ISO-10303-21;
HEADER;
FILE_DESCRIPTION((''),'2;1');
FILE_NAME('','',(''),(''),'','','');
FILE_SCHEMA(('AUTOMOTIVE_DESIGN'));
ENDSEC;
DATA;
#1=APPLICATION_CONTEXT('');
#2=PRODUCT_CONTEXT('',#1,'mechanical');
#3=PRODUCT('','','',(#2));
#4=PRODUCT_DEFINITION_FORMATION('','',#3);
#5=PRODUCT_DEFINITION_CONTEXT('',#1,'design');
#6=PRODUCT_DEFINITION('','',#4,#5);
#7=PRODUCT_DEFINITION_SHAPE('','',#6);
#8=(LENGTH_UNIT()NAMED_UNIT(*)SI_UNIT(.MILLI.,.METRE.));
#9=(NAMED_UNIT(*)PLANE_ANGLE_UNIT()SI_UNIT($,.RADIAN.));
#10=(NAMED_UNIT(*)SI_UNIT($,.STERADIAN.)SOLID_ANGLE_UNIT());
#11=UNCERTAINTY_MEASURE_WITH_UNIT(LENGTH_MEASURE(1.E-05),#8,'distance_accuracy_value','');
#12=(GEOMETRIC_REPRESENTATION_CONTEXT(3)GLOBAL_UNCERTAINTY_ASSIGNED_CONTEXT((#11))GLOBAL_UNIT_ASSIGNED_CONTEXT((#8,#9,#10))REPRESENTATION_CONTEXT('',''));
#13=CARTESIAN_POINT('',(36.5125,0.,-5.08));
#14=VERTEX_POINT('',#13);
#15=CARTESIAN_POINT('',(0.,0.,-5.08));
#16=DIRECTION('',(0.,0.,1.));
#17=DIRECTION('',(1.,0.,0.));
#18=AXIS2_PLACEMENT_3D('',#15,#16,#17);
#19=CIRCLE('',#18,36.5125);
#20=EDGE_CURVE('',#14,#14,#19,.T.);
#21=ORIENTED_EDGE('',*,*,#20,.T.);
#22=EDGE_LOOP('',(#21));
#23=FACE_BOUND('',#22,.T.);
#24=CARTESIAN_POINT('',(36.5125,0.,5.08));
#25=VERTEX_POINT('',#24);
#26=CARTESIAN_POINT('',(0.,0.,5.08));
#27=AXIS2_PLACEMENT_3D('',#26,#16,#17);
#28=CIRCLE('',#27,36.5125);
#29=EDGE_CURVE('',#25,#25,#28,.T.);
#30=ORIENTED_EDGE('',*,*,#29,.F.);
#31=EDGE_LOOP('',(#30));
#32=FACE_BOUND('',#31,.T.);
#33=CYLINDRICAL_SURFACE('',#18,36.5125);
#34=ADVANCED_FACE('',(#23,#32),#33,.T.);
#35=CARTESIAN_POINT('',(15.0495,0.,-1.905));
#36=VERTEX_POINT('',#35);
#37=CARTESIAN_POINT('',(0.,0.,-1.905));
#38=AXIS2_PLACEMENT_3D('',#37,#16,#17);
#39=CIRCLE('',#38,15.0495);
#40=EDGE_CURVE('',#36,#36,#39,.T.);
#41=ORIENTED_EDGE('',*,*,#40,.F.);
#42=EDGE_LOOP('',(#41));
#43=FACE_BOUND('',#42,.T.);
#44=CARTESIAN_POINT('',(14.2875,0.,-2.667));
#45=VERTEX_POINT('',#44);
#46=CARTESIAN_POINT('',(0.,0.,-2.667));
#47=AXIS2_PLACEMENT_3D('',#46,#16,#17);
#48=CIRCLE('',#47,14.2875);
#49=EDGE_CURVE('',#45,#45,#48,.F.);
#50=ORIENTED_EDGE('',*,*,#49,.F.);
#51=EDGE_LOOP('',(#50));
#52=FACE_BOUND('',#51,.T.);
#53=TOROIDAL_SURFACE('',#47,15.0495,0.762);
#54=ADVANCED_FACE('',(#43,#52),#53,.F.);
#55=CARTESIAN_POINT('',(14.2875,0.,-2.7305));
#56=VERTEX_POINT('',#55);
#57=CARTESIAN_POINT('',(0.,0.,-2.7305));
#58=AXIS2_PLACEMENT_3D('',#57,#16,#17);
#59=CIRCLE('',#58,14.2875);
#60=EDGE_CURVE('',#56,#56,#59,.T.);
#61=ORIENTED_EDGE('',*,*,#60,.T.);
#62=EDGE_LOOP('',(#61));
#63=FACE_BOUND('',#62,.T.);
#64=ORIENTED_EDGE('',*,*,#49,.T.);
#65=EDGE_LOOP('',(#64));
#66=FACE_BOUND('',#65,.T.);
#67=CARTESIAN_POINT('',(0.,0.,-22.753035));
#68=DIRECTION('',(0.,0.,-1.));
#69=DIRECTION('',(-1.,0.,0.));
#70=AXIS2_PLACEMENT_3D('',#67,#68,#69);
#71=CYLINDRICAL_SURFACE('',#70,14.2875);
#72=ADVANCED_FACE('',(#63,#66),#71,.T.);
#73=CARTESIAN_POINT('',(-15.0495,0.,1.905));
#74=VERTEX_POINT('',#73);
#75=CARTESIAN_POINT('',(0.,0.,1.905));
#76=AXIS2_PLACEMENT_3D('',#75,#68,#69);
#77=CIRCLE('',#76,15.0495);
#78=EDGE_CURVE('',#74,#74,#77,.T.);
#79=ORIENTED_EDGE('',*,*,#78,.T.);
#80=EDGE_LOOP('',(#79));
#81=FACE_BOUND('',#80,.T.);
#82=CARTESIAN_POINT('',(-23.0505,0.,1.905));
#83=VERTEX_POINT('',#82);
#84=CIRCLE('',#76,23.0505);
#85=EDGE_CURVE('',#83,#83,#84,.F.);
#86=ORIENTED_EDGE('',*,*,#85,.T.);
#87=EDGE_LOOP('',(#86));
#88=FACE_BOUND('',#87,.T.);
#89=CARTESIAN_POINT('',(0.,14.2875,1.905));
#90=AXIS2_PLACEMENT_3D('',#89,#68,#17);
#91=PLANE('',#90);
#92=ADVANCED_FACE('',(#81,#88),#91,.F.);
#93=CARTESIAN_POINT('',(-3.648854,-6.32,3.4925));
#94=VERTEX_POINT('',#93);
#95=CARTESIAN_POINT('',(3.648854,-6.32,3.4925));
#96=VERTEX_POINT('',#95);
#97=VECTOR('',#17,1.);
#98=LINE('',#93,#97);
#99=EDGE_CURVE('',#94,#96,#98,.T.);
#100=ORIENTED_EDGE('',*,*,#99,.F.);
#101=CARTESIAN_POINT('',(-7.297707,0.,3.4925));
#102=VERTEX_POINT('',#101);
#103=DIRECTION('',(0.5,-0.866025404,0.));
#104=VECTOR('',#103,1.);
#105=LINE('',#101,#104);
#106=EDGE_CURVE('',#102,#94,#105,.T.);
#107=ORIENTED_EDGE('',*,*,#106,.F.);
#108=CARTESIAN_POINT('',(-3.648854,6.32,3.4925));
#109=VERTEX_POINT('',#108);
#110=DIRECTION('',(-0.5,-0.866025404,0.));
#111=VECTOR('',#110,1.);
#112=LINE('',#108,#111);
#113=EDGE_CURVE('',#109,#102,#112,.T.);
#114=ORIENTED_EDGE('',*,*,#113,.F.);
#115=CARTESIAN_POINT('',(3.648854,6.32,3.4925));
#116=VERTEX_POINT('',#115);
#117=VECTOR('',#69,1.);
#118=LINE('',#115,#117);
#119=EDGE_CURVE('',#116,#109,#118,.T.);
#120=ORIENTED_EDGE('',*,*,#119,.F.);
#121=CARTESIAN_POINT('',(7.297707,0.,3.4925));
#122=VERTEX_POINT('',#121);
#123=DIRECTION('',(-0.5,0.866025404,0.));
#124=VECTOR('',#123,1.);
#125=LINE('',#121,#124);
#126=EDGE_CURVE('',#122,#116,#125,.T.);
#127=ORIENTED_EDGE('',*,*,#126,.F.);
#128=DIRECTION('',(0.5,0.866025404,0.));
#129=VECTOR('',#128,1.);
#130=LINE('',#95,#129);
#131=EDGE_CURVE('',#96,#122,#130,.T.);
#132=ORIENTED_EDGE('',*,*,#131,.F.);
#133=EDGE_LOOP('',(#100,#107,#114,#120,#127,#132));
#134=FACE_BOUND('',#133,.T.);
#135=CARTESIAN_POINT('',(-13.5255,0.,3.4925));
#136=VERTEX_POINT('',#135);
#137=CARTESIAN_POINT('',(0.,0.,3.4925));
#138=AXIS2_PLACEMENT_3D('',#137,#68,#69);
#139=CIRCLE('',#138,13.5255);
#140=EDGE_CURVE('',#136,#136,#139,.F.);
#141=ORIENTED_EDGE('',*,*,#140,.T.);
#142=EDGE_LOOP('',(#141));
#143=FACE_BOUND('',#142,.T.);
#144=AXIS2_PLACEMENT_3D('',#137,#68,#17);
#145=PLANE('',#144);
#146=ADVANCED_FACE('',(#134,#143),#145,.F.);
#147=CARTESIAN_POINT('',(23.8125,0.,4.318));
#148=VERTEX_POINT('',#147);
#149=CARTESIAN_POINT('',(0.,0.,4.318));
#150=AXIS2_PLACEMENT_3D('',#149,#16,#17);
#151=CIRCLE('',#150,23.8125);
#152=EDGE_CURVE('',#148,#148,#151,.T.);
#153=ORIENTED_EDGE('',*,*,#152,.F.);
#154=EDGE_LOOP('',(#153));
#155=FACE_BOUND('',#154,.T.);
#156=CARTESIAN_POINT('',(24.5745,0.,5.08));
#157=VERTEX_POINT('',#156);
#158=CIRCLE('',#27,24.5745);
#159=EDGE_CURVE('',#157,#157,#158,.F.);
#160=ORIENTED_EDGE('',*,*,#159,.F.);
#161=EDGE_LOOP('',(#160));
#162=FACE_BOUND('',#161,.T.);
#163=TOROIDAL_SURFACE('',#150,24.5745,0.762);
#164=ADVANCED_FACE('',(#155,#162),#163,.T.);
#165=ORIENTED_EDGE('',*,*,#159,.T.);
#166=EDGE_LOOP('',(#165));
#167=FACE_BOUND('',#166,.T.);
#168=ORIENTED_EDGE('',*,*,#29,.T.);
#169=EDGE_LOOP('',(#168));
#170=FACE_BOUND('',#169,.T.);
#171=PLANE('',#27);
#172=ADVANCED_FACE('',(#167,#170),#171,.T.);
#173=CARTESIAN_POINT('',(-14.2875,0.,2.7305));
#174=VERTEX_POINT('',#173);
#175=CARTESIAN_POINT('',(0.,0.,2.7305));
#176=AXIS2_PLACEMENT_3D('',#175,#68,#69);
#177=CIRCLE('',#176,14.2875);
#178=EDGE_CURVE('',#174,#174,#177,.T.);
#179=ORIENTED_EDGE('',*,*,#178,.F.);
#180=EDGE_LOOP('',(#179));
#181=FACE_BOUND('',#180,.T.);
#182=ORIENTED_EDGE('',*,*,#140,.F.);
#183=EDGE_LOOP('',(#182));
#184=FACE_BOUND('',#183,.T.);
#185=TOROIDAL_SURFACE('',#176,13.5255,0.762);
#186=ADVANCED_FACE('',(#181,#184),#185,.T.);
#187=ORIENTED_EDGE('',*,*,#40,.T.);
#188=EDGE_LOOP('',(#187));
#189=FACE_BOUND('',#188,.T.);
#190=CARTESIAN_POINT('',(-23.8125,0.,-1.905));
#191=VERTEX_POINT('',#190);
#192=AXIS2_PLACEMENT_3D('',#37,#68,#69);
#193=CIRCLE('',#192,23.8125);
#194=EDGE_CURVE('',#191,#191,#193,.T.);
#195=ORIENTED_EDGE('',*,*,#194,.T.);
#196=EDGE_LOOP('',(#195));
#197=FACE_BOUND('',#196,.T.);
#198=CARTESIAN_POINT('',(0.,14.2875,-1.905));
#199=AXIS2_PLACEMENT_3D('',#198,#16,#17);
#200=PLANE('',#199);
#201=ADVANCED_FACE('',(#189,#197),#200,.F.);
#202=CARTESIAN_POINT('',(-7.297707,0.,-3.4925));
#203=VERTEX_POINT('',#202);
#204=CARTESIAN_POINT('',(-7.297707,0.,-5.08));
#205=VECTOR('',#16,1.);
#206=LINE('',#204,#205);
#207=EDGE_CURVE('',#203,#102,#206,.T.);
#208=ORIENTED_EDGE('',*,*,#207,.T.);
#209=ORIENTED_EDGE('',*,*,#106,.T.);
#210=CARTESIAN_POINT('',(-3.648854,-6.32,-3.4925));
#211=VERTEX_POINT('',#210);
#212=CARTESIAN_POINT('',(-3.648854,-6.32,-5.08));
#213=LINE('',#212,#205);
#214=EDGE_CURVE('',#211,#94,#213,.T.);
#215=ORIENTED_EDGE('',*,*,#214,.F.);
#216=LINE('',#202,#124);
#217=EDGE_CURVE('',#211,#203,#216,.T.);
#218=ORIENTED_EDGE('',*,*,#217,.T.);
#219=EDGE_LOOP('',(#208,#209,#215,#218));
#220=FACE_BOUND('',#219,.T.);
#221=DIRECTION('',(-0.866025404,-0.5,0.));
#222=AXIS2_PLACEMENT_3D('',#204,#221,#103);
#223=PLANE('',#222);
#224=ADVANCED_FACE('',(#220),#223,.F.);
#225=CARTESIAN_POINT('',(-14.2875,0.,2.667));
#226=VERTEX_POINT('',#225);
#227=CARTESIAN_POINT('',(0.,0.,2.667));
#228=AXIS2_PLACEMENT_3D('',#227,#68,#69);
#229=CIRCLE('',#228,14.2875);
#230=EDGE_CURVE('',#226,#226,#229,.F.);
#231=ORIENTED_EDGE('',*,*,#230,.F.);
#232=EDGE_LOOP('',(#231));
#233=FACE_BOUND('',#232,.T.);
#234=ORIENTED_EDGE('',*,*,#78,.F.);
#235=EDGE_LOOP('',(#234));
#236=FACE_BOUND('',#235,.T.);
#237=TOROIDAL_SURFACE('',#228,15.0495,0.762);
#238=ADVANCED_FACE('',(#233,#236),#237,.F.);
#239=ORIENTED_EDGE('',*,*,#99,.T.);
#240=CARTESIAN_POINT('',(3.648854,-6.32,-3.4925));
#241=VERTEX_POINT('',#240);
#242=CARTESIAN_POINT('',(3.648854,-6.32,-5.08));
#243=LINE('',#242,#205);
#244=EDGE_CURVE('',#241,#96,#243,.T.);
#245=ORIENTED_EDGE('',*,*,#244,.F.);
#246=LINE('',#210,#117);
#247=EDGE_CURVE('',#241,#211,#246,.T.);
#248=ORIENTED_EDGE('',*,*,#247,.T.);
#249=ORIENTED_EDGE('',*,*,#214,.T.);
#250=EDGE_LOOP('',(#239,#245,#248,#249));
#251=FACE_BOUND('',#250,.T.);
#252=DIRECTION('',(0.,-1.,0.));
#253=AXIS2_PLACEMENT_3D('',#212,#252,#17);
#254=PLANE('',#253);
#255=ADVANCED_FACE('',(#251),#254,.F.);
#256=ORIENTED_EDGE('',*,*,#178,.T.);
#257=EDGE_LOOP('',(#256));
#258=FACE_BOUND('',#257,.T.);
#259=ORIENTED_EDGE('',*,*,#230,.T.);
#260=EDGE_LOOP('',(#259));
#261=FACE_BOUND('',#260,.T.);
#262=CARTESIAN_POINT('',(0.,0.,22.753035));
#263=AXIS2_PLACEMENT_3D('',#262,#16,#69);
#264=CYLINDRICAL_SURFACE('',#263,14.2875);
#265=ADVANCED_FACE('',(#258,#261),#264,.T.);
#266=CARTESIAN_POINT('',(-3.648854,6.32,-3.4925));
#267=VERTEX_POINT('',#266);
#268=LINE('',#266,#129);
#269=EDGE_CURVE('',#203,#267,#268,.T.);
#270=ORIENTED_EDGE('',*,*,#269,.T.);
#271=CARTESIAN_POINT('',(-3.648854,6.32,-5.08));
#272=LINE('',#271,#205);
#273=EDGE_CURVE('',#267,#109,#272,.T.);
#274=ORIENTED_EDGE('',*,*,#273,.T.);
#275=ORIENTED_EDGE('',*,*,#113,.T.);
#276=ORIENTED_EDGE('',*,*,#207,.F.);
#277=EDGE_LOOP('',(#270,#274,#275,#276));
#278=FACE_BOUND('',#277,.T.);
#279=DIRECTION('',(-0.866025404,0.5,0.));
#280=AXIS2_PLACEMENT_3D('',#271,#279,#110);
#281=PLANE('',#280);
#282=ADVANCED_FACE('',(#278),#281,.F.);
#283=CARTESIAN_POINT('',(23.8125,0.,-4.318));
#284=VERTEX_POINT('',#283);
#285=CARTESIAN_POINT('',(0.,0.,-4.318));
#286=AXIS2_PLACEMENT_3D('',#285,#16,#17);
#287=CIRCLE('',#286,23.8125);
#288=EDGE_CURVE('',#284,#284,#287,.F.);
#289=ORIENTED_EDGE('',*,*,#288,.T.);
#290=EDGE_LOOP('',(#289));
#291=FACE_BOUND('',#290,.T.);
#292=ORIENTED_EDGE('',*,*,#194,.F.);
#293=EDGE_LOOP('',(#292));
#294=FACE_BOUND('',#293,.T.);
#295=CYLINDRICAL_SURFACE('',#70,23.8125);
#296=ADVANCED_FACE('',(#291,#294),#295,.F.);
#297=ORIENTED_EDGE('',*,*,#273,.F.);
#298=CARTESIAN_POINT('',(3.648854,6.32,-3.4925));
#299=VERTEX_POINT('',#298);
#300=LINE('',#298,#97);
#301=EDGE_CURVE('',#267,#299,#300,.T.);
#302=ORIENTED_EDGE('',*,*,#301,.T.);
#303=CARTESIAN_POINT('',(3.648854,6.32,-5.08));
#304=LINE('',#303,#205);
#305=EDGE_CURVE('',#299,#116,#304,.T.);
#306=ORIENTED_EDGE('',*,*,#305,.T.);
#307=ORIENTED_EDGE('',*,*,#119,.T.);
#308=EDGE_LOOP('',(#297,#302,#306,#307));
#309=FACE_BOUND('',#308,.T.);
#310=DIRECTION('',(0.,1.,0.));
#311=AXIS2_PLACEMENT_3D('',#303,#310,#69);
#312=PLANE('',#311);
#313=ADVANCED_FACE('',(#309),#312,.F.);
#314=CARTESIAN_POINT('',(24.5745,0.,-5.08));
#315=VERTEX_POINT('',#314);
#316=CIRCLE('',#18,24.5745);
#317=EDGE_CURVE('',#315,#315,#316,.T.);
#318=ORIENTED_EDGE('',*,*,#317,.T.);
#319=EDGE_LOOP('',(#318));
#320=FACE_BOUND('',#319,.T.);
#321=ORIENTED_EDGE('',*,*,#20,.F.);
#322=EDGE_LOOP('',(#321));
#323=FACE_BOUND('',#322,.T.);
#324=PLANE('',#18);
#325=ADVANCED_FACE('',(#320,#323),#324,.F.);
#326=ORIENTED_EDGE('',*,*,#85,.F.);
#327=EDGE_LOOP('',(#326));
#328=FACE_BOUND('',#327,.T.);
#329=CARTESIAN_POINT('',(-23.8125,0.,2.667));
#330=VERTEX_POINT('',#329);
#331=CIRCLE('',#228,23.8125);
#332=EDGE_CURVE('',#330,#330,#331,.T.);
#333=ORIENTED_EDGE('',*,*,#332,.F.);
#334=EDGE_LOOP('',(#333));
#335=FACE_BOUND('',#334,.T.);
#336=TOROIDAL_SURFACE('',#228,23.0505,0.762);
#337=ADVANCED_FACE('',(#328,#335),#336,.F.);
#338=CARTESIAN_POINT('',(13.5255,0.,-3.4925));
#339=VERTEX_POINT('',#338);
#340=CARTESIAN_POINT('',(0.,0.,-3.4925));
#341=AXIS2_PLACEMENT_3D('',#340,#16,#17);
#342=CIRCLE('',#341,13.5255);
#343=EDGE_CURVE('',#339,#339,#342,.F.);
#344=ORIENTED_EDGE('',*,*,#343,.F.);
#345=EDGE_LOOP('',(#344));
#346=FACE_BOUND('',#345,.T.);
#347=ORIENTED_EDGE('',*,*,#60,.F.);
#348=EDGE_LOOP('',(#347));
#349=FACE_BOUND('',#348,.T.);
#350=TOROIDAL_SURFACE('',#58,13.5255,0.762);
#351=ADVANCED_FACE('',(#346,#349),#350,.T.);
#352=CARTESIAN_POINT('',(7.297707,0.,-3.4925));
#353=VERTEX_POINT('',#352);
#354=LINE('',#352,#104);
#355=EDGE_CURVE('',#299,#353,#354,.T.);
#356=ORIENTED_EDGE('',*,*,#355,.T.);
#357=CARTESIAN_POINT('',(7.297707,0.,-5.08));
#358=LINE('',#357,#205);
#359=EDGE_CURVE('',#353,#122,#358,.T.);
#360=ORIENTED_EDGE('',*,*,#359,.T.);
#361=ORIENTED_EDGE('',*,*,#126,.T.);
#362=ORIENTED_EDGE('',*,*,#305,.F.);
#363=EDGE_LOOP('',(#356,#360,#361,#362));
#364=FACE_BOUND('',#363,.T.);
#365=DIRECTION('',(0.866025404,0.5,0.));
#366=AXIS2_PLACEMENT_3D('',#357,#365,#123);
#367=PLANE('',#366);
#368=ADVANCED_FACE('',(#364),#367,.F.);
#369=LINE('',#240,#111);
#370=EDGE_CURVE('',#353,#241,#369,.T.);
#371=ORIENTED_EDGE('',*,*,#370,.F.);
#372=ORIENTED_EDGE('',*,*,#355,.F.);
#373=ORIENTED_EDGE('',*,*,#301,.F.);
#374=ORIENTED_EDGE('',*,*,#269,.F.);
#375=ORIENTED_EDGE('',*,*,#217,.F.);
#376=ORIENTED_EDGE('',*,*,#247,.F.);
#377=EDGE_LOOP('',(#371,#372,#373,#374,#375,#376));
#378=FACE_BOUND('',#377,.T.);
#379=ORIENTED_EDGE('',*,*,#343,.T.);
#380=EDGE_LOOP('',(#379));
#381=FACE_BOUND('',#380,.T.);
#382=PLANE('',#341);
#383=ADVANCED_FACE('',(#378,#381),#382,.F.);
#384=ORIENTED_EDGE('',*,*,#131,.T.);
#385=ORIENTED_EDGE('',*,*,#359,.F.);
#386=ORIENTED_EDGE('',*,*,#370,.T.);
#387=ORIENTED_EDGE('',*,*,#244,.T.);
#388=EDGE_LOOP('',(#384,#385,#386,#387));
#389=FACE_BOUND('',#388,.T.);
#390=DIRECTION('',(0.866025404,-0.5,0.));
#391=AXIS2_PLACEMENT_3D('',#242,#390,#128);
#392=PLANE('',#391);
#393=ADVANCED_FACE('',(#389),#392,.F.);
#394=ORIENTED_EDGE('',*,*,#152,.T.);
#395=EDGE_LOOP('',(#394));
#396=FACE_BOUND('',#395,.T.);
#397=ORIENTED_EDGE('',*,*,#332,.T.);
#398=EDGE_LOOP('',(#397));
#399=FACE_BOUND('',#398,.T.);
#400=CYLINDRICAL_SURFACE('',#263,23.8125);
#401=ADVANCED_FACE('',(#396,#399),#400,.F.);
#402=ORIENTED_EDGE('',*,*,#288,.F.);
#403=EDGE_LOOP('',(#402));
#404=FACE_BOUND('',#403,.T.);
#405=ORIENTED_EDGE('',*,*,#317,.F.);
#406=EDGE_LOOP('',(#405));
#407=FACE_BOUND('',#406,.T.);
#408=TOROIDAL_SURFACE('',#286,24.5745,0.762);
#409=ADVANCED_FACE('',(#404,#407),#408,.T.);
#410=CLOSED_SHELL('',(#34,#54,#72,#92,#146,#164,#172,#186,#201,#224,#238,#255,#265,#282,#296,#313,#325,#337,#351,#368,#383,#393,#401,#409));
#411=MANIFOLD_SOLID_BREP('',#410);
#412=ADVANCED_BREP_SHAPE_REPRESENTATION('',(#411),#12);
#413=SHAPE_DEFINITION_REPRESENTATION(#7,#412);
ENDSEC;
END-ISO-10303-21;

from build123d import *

# Parameters (mm, degrees)
BOSS_EXTRUDE1_DEPTH      = 5.08
BOSS_EXTRUDE1_DEPTH_BACK = 5.08
SKETCH1_R                = 36.5125
CUT_EXTRUDE1_DEPTH       = 53.6265229
FILLET1_R                = 0.762
FILLET2_R                = 0.762


with BuildPart() as part:
    # Sketch1 → Boss-Extrude1 (new, two sides: drawn at the far end of the back side and taken through both)
    with BuildSketch(Plane.XY.offset(-BOSS_EXTRUDE1_DEPTH_BACK)):
        Circle(SKETCH1_R)
    extrude(amount=BOSS_EXTRUDE1_DEPTH + BOSS_EXTRUDE1_DEPTH_BACK)

    # Sketch2 → Cut-Extrude1 (cut, through all)
    with BuildSketch(Plane.XY.offset(5.08)):
        Polygon((3.648853701, 6.32), (-3.648853701, 6.32), (-7.297707403, 0), (-3.648853701, -6.32), (3.648853701, -6.32), (7.297707403, 0), align=None)
    extrude(amount=-CUT_EXTRUDE1_DEPTH, mode=Mode.SUBTRACT)

    # Sketch3 → Cut-Revolve1 (revolve, cut)
    with BuildSketch(Plane(origin=(0, 0, 0), x_dir=(0, 0, -1), z_dir=(1, 0, 0))):
        Polygon((3.4925, 14.2875), (1.905, 14.2875), (1.905, 23.8125), (5.08, 23.8125), (5.08, 0), (3.4925, 0), align=None)
    cut_revolve1 = revolve(axis=Axis((0, 0, -22.753035396), (0, 0, 1)), mode=Mode.SUBTRACT)

    # Fillet1
    fillet1_edges = [part.edges().sort_by_distance(p)[0] for p in [
        (0, -14.2875, -1.905),
        (0, -23.8125, -5.08),
        (0, -14.2875, -3.4925),
    ]]
    fillet(fillet1_edges, radius=FILLET1_R)

    # Mirror1: Cut-Revolve1 across plane
    add(cut_revolve1.mirror(Plane.XY), mode=Mode.SUBTRACT)

    # Fillet2
    fillet2_edges = [part.edges().sort_by_distance(p)[0] for p in [
        (0, -23.8125, 5.08),
        (0, -23.8125, 1.905),
        (0, -14.2875, 1.905),
        (0, -14.2875, 3.4925),
    ]]
    fillet(fillet2_edges, radius=FILLET2_R)


solid = part.part
